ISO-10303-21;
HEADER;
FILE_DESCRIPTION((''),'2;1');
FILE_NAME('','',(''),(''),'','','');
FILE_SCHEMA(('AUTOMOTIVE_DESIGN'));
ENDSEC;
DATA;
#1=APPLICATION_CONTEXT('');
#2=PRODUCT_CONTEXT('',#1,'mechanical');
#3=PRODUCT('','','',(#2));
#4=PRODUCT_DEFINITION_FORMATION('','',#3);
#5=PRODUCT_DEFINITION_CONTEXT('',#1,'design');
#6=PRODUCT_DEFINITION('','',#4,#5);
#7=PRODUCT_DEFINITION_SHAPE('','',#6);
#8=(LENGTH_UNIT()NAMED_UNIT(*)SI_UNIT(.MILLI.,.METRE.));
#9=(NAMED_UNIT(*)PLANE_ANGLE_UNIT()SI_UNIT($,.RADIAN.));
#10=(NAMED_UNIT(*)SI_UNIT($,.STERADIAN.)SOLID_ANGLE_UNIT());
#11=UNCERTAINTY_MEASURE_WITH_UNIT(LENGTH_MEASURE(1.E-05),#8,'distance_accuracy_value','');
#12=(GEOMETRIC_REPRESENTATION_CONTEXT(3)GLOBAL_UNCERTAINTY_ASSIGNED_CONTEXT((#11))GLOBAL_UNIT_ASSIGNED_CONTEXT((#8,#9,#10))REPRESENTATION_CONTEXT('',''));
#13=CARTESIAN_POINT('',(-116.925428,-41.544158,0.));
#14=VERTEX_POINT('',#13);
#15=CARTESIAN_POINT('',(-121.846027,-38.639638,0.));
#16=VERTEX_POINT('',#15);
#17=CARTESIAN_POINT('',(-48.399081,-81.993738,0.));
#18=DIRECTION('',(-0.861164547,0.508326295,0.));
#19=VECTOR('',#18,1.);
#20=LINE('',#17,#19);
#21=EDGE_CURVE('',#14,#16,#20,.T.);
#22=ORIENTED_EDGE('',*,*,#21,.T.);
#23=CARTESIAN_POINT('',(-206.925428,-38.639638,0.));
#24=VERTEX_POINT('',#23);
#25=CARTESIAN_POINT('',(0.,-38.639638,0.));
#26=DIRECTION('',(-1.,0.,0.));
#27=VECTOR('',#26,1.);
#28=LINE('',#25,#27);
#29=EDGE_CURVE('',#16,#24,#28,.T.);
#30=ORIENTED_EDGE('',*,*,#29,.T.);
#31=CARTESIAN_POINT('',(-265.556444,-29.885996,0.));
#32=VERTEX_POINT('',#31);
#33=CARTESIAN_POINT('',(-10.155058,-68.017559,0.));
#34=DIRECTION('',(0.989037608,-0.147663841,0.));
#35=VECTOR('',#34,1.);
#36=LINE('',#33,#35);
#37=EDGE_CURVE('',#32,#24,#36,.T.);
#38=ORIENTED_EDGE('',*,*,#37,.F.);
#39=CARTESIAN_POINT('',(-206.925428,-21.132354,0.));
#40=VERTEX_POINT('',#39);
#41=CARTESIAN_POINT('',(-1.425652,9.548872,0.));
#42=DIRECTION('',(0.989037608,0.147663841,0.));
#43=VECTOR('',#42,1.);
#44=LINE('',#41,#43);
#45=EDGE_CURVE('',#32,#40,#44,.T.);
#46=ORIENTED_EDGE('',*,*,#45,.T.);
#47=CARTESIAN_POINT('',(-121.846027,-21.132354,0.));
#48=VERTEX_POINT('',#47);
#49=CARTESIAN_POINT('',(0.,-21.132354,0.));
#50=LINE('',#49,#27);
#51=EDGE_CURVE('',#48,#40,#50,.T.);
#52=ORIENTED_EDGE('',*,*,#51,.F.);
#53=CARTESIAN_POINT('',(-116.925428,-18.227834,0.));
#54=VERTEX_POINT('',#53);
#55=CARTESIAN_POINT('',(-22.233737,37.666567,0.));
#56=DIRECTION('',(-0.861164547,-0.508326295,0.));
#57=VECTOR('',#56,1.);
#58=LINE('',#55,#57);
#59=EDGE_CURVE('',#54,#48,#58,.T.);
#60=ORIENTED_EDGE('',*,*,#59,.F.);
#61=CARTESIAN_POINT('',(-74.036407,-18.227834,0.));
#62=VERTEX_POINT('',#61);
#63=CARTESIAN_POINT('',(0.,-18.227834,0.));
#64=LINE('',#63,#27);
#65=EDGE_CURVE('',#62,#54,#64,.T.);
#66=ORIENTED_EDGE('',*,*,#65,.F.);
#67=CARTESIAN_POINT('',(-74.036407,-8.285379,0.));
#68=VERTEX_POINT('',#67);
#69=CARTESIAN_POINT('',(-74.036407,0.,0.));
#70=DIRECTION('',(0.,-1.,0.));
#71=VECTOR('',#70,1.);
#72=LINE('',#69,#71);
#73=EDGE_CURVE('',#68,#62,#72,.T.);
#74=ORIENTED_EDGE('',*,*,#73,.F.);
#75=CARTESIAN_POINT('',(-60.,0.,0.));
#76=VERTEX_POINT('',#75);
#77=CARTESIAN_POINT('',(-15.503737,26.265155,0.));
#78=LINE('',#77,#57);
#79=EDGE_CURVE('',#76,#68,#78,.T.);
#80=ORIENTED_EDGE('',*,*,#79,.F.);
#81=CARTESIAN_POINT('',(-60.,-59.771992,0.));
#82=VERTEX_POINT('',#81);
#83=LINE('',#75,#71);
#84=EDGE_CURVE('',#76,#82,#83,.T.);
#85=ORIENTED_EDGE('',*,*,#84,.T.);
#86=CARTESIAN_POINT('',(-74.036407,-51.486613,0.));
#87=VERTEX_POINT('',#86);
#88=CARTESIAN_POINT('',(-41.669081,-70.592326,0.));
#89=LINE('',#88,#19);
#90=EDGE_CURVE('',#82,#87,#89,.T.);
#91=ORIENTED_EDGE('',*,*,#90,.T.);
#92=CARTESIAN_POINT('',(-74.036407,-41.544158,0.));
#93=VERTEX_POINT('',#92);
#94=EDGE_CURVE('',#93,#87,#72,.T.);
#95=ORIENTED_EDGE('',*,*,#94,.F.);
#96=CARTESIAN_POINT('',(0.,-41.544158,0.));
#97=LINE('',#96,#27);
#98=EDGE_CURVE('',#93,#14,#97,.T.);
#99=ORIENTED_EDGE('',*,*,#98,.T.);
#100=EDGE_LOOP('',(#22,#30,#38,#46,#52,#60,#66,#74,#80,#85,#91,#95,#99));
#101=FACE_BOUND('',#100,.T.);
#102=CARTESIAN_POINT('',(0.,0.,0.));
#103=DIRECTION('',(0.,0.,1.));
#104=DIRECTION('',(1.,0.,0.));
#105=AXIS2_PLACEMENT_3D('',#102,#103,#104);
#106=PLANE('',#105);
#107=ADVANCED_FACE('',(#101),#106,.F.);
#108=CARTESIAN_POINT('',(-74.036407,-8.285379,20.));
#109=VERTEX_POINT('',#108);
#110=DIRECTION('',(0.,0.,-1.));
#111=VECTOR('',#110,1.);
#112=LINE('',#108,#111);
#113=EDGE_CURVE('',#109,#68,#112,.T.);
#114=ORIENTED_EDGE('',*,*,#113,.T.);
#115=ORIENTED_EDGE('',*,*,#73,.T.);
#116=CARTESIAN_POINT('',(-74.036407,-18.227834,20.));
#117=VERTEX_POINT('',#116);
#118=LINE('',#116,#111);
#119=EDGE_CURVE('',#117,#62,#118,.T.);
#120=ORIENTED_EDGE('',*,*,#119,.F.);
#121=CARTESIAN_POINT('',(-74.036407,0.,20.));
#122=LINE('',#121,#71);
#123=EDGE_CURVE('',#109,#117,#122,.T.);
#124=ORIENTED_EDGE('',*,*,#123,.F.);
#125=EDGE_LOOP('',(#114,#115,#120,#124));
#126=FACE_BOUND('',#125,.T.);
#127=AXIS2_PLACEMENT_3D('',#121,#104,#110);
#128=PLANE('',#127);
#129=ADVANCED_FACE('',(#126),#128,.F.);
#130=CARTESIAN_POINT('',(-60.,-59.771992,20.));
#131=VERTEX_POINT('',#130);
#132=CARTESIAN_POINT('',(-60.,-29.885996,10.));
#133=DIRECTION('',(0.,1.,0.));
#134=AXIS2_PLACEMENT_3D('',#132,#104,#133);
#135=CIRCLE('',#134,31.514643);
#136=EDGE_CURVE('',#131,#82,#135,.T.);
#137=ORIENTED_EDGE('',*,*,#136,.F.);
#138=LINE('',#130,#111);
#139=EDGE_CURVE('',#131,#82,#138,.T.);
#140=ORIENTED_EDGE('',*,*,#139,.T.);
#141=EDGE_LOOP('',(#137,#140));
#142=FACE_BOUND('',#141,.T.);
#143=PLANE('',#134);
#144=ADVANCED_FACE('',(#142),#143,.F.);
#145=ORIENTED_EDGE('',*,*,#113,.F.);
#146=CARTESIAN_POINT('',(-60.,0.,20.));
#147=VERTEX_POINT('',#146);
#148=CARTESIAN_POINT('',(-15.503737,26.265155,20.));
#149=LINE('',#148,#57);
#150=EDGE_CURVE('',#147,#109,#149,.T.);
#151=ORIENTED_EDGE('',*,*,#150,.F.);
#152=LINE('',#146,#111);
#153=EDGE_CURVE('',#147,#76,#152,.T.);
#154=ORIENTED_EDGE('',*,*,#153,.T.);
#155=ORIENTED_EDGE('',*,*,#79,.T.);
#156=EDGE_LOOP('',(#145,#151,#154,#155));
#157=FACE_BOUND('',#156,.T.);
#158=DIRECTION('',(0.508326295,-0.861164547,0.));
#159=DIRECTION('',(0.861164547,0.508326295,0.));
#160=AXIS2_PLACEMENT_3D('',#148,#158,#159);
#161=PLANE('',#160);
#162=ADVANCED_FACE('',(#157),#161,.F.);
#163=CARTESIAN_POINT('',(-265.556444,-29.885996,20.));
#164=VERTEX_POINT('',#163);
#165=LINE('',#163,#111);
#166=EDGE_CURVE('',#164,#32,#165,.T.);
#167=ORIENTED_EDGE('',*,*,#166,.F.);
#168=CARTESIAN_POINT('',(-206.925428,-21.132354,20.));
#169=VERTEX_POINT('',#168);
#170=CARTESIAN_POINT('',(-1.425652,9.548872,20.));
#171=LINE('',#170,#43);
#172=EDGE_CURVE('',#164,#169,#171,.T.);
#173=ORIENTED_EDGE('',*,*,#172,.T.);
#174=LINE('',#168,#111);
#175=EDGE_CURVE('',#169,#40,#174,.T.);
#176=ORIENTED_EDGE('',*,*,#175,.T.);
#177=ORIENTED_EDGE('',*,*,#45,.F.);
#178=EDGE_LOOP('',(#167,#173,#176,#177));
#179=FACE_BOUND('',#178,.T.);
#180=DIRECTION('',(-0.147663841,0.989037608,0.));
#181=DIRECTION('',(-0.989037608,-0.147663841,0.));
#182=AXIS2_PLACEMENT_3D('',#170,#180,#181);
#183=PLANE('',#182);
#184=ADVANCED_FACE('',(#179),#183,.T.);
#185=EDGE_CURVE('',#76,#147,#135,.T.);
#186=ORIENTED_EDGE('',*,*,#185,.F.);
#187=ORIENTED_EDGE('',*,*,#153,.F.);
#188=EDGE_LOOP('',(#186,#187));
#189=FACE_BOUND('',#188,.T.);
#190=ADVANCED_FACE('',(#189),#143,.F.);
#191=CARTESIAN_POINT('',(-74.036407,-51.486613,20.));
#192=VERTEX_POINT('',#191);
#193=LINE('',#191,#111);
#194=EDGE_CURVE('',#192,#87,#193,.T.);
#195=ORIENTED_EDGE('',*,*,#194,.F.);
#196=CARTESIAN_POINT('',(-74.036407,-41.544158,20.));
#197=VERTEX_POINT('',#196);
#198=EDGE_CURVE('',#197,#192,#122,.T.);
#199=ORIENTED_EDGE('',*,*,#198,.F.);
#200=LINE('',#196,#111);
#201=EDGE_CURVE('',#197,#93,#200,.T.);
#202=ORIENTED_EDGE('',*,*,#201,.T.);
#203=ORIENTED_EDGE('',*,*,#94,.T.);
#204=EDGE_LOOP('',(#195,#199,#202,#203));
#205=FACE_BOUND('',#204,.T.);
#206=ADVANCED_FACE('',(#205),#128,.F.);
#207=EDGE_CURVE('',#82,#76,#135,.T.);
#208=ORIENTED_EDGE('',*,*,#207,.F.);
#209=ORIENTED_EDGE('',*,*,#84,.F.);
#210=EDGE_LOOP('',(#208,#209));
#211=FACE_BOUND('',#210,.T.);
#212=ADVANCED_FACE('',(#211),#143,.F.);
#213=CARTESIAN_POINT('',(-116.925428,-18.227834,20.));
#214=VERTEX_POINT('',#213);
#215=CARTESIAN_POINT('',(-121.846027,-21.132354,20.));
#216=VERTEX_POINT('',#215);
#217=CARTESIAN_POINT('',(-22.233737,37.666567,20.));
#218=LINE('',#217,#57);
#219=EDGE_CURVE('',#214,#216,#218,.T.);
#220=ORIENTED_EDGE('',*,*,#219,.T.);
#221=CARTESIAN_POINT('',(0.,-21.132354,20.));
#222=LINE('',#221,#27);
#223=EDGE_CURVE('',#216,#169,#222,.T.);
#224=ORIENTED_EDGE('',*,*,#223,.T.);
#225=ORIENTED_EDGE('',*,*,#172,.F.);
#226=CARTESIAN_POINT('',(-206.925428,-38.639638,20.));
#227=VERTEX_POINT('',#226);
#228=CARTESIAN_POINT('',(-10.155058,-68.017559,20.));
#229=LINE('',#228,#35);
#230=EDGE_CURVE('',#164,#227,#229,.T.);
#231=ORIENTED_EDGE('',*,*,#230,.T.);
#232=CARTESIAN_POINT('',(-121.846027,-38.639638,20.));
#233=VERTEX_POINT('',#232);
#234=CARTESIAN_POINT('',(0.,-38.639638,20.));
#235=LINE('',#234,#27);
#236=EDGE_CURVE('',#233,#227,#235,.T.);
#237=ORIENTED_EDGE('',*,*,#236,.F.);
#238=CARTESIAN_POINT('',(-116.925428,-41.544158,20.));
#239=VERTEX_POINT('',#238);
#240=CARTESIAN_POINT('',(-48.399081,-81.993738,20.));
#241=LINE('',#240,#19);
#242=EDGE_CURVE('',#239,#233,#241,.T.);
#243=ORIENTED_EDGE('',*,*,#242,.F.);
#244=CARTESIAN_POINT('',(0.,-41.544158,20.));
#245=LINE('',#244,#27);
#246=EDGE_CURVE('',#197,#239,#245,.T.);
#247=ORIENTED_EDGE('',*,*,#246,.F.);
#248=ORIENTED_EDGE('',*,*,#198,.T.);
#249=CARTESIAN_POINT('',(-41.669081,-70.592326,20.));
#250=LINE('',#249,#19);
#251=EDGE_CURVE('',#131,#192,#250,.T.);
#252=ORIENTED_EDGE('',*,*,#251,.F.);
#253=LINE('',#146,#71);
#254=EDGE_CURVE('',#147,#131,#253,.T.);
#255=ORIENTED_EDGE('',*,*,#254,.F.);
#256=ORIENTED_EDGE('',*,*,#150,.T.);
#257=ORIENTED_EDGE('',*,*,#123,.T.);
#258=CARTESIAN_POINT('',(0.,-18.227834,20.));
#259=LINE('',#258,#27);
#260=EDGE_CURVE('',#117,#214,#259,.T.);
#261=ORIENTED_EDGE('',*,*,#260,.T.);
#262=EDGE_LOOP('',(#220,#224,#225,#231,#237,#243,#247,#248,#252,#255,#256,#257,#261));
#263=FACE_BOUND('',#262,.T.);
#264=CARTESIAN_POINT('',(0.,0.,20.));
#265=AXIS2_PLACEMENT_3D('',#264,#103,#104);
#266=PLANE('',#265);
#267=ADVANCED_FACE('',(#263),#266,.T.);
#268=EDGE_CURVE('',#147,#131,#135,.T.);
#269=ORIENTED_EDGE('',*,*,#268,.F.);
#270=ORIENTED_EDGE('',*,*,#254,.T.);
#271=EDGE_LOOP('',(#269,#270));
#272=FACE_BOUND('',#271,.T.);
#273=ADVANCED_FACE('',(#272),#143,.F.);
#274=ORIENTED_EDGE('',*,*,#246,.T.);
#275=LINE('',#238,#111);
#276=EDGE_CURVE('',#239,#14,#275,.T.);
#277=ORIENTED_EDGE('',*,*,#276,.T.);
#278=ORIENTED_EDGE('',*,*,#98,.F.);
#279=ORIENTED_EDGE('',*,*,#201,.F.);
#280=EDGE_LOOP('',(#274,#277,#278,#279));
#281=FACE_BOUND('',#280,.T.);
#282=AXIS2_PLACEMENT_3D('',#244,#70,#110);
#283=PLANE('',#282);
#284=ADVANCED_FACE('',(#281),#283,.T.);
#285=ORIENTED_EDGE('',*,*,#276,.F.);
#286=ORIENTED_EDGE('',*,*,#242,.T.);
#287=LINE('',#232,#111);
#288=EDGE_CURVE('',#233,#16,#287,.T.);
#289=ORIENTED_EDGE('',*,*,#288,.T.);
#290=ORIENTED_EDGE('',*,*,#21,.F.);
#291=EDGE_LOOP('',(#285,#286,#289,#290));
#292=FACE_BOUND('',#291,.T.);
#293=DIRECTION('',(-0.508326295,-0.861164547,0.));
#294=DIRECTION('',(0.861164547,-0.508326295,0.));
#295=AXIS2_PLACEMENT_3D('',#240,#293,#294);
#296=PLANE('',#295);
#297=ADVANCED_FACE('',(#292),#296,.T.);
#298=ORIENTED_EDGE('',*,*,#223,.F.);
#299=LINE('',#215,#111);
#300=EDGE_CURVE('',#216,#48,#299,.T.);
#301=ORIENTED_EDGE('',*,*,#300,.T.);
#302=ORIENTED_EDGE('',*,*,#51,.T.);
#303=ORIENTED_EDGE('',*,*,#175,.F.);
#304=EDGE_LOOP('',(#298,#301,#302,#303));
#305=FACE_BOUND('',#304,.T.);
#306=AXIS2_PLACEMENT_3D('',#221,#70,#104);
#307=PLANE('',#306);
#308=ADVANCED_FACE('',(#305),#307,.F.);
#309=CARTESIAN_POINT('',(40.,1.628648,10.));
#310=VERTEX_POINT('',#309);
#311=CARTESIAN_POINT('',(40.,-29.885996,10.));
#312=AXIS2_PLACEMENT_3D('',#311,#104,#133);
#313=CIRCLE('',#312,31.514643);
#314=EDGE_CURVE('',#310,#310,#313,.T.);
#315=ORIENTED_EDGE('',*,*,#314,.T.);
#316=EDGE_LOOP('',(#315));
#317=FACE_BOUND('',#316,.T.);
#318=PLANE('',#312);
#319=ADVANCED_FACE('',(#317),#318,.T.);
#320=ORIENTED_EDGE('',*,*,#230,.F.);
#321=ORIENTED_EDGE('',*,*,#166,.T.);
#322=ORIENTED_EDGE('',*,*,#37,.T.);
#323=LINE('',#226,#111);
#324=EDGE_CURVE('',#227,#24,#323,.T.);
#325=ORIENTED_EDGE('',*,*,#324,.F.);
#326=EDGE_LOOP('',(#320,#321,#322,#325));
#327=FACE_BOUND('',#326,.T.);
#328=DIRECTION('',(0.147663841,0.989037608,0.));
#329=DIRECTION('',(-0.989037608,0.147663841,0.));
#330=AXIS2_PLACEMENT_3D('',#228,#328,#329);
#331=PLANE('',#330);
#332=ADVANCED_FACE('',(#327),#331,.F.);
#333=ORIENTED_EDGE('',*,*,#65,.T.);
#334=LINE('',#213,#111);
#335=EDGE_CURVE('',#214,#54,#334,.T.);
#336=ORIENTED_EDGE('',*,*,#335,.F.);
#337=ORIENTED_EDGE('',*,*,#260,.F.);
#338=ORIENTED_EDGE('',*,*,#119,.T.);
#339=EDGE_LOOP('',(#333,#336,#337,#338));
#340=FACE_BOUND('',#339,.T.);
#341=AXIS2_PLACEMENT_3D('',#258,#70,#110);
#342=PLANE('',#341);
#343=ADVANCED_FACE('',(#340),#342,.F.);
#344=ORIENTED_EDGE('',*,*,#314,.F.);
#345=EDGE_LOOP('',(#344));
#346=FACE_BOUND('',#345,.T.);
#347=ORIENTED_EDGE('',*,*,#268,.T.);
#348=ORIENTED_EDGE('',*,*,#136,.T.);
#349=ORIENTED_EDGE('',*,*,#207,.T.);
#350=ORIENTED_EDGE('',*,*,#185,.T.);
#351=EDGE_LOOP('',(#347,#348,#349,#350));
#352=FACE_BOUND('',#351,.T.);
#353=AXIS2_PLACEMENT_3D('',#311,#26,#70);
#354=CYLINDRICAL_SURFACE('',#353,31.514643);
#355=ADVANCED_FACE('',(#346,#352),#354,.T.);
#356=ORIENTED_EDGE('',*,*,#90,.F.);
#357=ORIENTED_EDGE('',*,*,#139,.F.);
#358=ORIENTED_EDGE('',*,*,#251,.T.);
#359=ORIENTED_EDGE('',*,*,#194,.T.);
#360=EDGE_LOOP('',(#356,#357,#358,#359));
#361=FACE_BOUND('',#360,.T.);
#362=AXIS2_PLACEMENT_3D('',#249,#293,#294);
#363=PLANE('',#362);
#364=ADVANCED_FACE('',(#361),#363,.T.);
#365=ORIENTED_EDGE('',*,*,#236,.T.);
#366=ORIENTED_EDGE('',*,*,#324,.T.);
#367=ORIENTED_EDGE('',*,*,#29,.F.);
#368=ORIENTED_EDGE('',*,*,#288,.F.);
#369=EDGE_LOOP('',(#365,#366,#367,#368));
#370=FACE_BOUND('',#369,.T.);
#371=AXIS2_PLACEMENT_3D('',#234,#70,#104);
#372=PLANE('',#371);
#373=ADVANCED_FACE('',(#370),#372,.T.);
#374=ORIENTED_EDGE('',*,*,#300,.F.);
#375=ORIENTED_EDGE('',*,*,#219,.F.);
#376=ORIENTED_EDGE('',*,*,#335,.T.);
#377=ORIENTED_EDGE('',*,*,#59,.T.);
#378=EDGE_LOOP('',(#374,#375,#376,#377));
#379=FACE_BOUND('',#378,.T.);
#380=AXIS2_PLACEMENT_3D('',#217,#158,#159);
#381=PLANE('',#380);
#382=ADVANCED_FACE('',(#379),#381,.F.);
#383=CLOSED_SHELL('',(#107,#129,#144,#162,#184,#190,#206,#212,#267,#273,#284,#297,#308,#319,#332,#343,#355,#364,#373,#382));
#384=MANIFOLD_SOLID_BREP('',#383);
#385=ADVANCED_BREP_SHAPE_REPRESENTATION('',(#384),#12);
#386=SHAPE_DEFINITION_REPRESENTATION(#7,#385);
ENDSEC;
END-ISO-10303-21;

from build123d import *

# Parameters (mm, degrees)
BOSS_EXTRUDE7_DEPTH = 20
SKETCH12_R          = 31.514643475
BOSS_EXTRUDE8_DEPTH = 100


with BuildPart() as part:
    # Sketch1 → Boss-Extrude7 (new body)
    with BuildSketch(Plane.XY):
        Polygon((-74.036406968, -41.544157833), (-74.036406968, -29.88599594), (-265.556443783, -29.88599594), (-206.925428257, -38.639637749), (-121.846026988, -38.639637749), (-116.925428257, -41.544157833), align=None)
        Polygon((-74.036406968, -29.88599594), (-74.036406968, -18.227834048), (-116.925428257, -18.227834048), (-121.846026988, -21.132354132), (-206.925428257, -21.132354132), (-265.556443783, -29.88599594), align=None)
        Polygon((-60, -59.771991881), (-60, -29.88599594), (-74.036406968, -29.88599594), (-74.036406968, -41.544157833), (-74.036406968, -51.486612768), align=None)
        Polygon((-60, -29.88599594), (-60, 0), (-74.036406968, -8.285379113), (-74.036406968, -18.227834048), (-74.036406968, -29.88599594), align=None)
    extrude(amount=BOSS_EXTRUDE7_DEPTH)

    # Sketch12 → Boss-Extrude8 (add)
    with BuildSketch(Plane(origin=(-60, 0, 0), x_dir=(0, 0, -1), z_dir=(1, 0, 0))):
        with Locations(Location((-10, -29.88599594, 0), (0, 0, 251.499507524))):
            Circle(SKETCH12_R)
    extrude(amount=BOSS_EXTRUDE8_DEPTH)


solid = part.part
